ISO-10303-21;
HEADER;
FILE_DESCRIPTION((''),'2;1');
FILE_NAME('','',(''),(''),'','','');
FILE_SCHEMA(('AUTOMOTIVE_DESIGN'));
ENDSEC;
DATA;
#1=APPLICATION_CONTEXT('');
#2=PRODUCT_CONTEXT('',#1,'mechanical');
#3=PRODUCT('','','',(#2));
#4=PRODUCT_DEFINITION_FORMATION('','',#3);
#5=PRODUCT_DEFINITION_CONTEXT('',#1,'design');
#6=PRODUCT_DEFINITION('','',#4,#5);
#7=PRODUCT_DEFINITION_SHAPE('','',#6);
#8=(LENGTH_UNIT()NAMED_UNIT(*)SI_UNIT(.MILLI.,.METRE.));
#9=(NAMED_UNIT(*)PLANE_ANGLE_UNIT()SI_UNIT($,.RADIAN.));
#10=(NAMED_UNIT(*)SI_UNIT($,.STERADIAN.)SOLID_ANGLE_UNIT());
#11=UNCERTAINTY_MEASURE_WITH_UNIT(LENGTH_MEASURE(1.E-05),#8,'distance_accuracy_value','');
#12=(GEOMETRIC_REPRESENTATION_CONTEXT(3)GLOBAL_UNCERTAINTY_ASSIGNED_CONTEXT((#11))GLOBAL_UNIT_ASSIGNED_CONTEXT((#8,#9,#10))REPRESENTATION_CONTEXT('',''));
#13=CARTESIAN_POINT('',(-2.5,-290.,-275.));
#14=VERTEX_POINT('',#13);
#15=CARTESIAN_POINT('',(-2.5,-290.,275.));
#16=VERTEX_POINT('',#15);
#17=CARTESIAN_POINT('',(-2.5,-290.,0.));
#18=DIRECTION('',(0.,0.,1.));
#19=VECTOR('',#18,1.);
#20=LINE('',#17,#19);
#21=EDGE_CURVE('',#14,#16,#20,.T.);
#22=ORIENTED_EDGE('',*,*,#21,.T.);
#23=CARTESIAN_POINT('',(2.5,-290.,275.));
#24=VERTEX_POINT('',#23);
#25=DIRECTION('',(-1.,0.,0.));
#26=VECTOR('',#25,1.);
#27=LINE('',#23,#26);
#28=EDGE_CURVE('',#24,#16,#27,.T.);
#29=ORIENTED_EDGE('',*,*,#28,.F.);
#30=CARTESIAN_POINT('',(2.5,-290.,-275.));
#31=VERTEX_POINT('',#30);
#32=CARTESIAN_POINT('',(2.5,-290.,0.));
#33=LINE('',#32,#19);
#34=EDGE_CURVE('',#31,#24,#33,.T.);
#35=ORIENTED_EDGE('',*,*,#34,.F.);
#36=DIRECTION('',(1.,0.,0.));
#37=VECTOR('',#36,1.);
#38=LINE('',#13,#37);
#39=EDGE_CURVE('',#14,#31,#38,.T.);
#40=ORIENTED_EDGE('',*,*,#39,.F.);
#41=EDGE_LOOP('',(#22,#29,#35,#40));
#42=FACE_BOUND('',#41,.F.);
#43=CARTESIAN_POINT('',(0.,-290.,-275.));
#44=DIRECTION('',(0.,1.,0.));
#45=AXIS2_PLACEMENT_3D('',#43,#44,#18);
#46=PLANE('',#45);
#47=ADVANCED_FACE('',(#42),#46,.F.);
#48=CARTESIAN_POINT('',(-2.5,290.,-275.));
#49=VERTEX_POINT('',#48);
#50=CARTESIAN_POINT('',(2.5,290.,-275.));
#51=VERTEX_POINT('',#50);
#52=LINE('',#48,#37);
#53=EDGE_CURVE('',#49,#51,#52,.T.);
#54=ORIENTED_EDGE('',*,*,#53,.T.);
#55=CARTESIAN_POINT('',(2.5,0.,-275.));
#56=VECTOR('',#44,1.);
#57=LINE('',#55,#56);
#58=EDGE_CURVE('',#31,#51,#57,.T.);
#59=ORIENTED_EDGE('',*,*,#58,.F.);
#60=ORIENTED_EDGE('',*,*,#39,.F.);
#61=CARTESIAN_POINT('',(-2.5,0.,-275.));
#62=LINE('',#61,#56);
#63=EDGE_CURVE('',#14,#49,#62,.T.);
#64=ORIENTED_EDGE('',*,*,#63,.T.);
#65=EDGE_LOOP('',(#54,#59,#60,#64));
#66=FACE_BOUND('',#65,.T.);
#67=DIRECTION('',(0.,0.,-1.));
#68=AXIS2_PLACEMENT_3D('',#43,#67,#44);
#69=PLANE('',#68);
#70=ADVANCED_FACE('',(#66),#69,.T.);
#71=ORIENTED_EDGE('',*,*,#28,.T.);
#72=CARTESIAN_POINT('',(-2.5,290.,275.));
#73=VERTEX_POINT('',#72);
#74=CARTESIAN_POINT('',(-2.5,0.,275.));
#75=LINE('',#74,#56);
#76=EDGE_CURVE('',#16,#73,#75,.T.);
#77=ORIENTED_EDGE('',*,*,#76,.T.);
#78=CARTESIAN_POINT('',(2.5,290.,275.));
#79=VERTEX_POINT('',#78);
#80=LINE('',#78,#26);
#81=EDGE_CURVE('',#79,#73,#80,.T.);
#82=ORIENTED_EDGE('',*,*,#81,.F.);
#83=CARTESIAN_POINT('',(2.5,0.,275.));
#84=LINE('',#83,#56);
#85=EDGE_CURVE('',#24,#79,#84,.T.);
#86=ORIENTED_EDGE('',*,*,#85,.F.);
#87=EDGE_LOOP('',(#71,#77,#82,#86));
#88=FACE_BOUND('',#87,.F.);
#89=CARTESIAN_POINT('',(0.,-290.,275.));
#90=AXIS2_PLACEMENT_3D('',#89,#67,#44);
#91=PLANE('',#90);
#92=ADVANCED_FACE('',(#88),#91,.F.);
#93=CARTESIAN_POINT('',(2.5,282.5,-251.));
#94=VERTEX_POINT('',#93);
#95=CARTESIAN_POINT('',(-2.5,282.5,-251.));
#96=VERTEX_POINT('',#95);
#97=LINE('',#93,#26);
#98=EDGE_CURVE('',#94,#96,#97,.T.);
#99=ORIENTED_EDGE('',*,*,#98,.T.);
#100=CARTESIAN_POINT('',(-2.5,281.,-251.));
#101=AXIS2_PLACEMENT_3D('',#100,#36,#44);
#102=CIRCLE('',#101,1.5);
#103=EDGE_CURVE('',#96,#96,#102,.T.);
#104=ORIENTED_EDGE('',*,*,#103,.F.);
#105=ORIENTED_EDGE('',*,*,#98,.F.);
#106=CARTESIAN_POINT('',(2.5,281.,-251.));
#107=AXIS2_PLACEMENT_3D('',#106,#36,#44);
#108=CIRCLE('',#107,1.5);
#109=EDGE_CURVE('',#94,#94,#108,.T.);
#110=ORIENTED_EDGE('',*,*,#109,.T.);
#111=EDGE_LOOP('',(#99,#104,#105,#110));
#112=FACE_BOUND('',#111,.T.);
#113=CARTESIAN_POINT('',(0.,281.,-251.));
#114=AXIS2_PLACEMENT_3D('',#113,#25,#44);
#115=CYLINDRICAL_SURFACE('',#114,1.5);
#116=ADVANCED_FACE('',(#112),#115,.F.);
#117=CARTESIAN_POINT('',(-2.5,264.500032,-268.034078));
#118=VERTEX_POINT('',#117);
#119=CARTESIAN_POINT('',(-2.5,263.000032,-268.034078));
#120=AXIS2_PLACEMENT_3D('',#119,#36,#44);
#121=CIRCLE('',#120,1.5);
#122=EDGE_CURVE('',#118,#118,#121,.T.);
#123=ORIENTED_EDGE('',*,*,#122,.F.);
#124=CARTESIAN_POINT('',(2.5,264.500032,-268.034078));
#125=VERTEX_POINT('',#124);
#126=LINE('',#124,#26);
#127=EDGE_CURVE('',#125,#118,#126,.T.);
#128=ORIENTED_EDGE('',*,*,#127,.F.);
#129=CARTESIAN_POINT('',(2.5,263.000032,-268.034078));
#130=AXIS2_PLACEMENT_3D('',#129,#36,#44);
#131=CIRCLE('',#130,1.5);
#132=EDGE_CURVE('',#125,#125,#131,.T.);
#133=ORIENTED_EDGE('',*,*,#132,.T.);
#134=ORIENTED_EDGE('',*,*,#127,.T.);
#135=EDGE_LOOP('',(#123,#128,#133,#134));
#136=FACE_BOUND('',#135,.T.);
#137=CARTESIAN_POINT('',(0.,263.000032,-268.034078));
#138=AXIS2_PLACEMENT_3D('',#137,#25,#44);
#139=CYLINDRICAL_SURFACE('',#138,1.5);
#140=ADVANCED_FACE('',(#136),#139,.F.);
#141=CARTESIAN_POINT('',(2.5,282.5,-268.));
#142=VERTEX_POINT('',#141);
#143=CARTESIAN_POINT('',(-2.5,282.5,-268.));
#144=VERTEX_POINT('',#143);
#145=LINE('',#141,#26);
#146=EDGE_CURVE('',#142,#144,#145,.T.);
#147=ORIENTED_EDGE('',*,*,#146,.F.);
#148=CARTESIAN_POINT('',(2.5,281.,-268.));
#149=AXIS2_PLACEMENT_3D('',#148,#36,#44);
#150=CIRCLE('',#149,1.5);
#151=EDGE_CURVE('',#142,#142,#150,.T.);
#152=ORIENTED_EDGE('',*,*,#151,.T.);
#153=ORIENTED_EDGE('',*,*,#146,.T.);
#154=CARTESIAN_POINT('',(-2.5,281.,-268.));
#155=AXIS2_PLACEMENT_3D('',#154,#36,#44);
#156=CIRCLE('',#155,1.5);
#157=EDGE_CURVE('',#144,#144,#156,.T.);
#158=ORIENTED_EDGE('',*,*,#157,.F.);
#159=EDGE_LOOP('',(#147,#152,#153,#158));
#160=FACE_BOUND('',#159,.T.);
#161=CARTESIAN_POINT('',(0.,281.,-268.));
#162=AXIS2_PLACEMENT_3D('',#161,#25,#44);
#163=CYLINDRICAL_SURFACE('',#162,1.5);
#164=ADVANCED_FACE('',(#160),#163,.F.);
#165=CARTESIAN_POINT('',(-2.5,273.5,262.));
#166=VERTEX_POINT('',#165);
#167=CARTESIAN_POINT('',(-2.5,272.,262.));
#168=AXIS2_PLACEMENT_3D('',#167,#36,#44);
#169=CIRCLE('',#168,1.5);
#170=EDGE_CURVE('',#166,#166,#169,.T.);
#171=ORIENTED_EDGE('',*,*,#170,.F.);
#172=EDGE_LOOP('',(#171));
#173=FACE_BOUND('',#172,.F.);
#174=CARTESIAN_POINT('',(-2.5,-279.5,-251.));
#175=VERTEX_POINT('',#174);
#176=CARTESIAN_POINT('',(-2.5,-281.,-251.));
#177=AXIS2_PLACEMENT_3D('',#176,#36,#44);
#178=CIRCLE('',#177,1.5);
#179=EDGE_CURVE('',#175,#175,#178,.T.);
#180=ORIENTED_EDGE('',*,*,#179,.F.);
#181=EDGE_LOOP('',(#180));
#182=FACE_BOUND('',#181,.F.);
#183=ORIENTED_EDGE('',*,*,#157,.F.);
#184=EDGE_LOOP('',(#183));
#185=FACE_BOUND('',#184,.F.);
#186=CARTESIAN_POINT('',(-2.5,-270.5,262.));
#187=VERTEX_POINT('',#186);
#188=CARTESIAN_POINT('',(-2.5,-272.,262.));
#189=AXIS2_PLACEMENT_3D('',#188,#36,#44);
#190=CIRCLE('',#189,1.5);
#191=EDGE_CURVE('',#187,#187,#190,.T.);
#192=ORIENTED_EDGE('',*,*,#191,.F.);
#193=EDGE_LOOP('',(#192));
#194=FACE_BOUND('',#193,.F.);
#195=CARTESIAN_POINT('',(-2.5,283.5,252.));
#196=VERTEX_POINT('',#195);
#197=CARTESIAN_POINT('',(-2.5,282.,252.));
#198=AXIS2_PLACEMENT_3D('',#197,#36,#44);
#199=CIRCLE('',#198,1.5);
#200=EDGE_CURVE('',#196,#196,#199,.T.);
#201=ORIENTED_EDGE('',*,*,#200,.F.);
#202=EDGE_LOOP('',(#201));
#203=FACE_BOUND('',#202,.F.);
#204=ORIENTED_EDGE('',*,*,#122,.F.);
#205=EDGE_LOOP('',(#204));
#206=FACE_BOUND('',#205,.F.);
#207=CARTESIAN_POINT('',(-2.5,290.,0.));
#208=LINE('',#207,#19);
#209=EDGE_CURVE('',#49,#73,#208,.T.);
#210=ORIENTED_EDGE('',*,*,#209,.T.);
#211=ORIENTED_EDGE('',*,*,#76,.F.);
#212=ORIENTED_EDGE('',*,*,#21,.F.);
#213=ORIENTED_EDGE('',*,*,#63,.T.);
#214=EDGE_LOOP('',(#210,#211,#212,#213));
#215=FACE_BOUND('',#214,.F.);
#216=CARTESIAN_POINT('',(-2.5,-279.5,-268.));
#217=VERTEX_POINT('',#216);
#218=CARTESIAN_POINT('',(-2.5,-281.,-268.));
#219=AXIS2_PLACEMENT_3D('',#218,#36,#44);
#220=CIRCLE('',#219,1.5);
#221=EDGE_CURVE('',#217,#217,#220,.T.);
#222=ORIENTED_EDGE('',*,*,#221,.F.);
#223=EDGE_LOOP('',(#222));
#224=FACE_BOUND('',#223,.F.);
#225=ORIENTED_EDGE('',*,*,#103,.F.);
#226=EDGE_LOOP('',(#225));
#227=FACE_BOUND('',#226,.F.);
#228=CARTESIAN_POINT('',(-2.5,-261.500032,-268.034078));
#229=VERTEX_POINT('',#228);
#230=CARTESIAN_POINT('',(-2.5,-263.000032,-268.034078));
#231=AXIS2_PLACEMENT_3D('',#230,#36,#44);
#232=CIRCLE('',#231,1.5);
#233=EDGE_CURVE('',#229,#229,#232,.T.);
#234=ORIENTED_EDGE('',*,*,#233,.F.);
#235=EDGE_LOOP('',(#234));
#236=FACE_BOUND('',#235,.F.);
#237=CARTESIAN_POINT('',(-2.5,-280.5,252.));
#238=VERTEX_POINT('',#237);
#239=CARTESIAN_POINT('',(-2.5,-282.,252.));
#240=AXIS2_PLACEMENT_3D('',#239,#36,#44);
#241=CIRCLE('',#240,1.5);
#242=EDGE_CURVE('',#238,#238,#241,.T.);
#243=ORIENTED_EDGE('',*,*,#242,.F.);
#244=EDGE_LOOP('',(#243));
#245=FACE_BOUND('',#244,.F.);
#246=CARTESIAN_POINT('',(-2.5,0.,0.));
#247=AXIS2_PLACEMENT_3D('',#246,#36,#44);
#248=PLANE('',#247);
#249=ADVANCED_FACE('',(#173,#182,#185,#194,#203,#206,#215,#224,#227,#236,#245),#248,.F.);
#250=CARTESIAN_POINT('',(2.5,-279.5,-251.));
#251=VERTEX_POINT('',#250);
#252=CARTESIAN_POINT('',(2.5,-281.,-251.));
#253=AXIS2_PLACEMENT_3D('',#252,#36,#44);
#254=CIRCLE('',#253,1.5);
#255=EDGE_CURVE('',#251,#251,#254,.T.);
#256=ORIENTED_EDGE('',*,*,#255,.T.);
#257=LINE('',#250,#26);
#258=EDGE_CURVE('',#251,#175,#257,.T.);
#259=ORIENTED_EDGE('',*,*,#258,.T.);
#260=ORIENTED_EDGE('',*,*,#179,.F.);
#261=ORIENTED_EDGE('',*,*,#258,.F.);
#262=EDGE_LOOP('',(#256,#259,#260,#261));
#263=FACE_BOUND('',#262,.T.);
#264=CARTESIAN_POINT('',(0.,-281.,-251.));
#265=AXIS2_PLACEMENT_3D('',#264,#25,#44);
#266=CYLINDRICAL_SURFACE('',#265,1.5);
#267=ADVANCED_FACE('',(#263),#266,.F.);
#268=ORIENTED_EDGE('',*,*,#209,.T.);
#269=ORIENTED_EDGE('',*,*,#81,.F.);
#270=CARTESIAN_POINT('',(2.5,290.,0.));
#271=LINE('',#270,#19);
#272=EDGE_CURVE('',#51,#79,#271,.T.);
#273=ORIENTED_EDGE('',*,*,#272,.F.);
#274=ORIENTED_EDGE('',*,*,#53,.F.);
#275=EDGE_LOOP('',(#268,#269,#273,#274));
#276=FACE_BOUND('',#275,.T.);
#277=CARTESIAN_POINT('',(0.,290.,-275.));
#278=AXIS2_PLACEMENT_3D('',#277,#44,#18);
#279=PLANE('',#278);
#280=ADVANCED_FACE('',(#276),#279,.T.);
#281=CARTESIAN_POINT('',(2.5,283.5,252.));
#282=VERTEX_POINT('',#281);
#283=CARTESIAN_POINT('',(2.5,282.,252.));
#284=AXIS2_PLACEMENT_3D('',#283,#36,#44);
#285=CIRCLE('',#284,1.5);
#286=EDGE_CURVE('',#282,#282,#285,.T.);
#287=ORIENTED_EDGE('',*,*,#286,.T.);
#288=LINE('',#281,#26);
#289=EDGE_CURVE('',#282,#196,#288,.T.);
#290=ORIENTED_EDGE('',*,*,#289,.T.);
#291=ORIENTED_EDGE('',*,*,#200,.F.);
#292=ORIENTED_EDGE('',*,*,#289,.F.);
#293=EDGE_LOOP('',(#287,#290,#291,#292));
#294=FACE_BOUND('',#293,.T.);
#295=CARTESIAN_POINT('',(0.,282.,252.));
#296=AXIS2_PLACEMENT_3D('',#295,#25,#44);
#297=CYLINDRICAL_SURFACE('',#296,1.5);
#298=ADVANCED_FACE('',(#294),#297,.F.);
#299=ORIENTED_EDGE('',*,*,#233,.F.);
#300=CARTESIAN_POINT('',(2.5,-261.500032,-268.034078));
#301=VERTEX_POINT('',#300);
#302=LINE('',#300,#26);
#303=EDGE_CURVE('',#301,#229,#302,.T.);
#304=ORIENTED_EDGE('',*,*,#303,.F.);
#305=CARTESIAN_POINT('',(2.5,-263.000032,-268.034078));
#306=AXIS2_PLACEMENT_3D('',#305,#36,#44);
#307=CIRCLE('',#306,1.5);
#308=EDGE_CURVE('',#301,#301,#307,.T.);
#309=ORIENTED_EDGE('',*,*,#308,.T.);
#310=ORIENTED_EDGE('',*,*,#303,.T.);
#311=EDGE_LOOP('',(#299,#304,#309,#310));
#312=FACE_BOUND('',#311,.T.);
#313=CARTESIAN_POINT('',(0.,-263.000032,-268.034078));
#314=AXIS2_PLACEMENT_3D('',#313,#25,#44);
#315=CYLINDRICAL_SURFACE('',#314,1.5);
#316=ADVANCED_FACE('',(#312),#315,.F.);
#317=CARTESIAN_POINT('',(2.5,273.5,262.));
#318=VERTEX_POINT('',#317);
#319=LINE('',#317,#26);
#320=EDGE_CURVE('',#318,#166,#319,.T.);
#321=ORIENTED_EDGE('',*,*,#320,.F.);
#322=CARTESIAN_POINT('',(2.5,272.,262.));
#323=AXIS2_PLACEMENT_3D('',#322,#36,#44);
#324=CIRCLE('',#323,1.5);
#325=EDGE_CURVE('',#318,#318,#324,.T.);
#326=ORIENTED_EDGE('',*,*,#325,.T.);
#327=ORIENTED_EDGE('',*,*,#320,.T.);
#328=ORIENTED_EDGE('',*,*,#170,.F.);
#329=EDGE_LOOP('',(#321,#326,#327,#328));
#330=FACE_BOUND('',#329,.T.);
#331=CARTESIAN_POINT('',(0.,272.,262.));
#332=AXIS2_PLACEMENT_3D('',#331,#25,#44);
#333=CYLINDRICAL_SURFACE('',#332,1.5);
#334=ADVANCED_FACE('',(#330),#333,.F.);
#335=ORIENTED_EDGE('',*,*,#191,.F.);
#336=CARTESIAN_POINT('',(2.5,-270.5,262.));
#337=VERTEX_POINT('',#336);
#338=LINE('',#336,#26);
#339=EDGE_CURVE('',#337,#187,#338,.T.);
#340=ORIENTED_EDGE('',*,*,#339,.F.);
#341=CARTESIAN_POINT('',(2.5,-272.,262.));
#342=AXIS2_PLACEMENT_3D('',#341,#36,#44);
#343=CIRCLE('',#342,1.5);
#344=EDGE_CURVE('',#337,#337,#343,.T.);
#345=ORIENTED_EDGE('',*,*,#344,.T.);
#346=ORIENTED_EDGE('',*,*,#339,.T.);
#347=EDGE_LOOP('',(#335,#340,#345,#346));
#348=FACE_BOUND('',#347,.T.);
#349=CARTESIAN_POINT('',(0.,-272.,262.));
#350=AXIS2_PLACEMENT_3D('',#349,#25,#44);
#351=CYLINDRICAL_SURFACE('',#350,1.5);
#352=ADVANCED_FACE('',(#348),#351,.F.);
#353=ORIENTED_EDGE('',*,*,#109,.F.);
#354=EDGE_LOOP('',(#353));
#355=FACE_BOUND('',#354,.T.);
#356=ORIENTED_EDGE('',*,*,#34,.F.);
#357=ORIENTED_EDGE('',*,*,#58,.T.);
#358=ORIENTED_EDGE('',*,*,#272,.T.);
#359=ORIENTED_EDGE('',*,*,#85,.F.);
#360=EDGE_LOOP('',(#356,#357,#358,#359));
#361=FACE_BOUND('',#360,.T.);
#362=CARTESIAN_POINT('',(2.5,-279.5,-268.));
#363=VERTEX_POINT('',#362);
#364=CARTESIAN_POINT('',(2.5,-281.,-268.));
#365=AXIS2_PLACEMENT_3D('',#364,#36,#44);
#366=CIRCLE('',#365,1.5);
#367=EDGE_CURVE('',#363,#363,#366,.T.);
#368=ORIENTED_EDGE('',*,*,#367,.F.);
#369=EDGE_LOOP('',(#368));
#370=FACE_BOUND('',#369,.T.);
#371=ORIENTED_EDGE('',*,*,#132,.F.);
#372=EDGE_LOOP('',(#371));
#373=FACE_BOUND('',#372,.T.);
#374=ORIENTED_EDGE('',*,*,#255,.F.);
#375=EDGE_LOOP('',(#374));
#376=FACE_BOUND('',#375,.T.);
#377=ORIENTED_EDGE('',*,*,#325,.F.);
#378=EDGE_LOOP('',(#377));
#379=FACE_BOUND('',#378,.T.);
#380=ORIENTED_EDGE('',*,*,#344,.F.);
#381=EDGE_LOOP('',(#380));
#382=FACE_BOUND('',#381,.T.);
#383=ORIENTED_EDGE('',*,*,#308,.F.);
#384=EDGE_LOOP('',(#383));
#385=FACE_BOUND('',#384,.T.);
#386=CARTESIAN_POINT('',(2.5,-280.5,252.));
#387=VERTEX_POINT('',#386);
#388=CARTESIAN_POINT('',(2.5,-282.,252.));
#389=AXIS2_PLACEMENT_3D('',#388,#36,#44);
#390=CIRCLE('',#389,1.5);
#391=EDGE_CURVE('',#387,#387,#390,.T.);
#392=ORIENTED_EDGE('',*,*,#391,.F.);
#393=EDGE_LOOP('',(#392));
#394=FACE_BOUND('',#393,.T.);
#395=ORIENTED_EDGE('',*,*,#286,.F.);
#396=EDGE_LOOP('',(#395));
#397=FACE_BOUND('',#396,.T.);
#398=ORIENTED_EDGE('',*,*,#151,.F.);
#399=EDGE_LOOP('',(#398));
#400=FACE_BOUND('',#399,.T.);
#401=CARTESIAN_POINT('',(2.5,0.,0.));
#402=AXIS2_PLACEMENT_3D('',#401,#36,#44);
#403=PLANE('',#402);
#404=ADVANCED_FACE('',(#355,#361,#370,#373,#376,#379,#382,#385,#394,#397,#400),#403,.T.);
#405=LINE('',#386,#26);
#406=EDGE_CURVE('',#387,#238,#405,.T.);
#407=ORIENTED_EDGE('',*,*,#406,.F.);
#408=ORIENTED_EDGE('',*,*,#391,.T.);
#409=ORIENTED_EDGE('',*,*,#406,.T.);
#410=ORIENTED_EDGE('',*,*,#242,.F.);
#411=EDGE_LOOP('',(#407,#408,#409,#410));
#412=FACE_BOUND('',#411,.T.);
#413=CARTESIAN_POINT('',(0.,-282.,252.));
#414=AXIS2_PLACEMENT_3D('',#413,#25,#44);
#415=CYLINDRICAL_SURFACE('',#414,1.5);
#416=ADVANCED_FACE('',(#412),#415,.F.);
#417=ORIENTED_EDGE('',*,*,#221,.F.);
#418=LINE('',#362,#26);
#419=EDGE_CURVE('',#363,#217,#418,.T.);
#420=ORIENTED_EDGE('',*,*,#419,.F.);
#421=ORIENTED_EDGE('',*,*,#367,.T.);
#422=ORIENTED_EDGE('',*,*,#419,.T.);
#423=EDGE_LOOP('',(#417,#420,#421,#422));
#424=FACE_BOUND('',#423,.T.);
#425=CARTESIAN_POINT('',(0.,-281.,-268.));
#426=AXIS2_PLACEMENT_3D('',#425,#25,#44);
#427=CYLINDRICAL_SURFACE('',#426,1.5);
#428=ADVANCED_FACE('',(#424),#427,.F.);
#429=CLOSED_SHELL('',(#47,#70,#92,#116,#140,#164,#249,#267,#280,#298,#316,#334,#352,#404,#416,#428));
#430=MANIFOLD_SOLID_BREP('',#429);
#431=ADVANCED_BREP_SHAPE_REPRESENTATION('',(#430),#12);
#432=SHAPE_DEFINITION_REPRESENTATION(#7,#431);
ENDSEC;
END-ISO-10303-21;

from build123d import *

# Parameters (mm, degrees)
F0_W     = 580
F0_H     = 550
F0_R     = 1.5
F1_DEPTH = 2.5


with BuildPart() as f1:
    # F0 (on Right) → F1 (new body, symmetric)
    with BuildSketch(Plane.YZ):
        Rectangle(F0_W, F0_H)
        with Locations((-281, -268)):
            Circle(F0_R, mode=Mode.SUBTRACT)
        with Locations((-263.000032, -268.034078)):
            Circle(F0_R, mode=Mode.SUBTRACT)
        with Locations((-281, -251)):
            Circle(F0_R, mode=Mode.SUBTRACT)
        with Locations((263.000032, -268.034078)):
            Circle(F0_R, mode=Mode.SUBTRACT)
        with Locations((281, -268)):
            Circle(F0_R, mode=Mode.SUBTRACT)
        with Locations((281, -251)):
            Circle(F0_R, mode=Mode.SUBTRACT)
        with Locations((-282, 252)):
            Circle(F0_R, mode=Mode.SUBTRACT)
        with Locations((-272, 262)):
            Circle(F0_R, mode=Mode.SUBTRACT)
        with Locations((282, 252)):
            Circle(F0_R, mode=Mode.SUBTRACT)
        with Locations((272, 262)):
            Circle(F0_R, mode=Mode.SUBTRACT)
    extrude(amount=F1_DEPTH, both=True)


solid = f1.part
